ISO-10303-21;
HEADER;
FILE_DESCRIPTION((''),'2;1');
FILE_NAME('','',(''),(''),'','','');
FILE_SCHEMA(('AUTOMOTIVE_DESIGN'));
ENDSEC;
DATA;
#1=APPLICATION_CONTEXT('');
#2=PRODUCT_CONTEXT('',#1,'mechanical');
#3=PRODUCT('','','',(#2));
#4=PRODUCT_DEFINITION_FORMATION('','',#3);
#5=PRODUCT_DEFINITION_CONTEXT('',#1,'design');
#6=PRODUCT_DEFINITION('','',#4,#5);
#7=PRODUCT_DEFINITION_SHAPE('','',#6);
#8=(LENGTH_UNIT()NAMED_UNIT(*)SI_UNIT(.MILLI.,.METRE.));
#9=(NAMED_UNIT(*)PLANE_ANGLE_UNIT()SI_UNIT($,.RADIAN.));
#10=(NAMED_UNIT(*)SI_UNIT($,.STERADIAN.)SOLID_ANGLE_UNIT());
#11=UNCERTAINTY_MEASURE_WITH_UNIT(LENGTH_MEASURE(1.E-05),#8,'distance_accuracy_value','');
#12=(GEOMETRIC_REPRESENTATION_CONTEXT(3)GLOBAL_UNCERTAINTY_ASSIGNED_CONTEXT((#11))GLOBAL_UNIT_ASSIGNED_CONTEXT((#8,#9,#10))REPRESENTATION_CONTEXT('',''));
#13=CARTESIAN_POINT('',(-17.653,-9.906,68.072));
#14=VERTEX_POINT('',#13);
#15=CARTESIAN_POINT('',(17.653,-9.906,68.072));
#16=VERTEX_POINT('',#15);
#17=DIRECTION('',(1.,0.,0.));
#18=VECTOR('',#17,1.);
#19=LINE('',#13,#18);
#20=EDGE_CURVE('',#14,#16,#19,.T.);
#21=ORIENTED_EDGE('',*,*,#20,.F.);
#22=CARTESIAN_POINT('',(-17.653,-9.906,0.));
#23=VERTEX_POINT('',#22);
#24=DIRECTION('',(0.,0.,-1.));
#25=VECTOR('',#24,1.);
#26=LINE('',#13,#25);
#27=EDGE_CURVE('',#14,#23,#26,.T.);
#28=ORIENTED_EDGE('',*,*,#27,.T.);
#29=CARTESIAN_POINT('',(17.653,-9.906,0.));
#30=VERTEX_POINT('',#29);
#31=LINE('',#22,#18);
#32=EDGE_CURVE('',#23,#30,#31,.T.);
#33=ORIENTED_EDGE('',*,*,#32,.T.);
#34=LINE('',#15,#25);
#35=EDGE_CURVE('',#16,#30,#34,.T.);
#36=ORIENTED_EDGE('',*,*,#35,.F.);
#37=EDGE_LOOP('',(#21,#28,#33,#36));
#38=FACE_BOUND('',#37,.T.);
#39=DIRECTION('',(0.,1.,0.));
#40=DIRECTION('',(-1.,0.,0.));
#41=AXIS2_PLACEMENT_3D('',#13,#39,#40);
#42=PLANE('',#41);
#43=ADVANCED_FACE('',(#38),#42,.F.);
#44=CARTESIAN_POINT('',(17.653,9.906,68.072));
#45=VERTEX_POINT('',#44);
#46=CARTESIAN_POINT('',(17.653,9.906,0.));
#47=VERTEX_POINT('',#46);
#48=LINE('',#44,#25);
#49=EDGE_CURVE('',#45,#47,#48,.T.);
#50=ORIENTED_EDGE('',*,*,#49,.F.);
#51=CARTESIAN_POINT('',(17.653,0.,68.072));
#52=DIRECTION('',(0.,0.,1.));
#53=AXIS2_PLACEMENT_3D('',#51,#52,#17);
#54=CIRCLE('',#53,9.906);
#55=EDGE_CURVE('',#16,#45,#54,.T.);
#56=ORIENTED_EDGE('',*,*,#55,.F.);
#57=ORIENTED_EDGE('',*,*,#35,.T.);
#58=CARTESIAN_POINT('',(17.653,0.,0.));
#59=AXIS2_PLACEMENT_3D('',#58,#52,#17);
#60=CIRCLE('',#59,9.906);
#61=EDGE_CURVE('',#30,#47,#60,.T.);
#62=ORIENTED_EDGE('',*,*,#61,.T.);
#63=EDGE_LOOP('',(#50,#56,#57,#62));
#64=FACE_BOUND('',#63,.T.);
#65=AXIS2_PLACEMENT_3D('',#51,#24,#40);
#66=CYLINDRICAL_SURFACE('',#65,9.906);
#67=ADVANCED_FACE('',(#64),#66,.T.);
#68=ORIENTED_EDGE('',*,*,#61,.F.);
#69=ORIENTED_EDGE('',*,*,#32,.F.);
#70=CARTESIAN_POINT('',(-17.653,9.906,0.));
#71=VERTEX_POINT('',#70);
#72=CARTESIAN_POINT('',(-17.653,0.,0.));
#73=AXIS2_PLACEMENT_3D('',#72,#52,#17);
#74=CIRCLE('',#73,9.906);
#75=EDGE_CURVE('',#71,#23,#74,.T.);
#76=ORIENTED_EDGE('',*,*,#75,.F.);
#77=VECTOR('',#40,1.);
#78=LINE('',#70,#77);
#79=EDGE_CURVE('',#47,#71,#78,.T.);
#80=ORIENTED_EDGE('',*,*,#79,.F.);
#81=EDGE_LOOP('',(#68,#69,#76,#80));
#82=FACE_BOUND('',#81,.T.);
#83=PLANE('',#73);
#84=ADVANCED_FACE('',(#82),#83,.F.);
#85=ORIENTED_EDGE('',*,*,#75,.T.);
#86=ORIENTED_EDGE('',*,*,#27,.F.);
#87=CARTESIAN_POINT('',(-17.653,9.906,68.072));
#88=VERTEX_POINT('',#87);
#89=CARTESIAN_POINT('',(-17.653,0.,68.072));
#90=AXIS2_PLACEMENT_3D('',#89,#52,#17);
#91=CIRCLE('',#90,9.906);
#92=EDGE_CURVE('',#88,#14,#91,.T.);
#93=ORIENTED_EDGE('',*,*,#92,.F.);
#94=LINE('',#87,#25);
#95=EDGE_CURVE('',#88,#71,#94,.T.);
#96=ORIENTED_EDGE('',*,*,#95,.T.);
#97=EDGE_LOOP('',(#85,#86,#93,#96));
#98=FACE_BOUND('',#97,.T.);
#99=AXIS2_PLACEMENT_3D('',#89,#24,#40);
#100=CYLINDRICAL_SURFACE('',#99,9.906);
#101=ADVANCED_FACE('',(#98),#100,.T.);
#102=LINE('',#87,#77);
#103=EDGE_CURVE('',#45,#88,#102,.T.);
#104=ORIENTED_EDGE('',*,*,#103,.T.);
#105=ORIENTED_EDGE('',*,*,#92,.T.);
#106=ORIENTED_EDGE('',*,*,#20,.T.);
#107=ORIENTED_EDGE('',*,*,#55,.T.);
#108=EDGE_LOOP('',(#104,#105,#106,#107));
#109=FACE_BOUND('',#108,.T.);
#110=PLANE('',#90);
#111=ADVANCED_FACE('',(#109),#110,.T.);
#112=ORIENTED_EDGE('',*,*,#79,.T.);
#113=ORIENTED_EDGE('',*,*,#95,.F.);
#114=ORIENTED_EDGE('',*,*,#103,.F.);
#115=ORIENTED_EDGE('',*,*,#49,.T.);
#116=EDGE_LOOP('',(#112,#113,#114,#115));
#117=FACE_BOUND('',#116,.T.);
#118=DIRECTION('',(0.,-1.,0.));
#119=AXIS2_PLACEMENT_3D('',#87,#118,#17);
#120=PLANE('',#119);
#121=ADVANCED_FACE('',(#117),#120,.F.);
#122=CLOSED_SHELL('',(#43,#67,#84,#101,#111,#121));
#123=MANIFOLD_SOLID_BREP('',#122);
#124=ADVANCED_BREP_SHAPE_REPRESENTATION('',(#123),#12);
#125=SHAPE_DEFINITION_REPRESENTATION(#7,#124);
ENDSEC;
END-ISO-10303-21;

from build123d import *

# Parameters (mm, degrees)
BOSS_EXTRUDE1_DEPTH = 68.072


with BuildPart() as part:
    # Sketch3 → Boss-Extrude1 (new body)
    with BuildSketch(Plane.XY):
        with BuildLine():
            Line((-17.653, 9.906), (17.653, 9.906))
            ThreePointArc((17.653, 9.906), (27.559, 0), (17.653, -9.906))
            Line((17.653, -9.906), (-17.653, -9.906))
            ThreePointArc((-17.653, -9.906), (-27.559, 0), (-17.653, 9.906))
        make_face()
    extrude(amount=BOSS_EXTRUDE1_DEPTH)


solid = part.part
